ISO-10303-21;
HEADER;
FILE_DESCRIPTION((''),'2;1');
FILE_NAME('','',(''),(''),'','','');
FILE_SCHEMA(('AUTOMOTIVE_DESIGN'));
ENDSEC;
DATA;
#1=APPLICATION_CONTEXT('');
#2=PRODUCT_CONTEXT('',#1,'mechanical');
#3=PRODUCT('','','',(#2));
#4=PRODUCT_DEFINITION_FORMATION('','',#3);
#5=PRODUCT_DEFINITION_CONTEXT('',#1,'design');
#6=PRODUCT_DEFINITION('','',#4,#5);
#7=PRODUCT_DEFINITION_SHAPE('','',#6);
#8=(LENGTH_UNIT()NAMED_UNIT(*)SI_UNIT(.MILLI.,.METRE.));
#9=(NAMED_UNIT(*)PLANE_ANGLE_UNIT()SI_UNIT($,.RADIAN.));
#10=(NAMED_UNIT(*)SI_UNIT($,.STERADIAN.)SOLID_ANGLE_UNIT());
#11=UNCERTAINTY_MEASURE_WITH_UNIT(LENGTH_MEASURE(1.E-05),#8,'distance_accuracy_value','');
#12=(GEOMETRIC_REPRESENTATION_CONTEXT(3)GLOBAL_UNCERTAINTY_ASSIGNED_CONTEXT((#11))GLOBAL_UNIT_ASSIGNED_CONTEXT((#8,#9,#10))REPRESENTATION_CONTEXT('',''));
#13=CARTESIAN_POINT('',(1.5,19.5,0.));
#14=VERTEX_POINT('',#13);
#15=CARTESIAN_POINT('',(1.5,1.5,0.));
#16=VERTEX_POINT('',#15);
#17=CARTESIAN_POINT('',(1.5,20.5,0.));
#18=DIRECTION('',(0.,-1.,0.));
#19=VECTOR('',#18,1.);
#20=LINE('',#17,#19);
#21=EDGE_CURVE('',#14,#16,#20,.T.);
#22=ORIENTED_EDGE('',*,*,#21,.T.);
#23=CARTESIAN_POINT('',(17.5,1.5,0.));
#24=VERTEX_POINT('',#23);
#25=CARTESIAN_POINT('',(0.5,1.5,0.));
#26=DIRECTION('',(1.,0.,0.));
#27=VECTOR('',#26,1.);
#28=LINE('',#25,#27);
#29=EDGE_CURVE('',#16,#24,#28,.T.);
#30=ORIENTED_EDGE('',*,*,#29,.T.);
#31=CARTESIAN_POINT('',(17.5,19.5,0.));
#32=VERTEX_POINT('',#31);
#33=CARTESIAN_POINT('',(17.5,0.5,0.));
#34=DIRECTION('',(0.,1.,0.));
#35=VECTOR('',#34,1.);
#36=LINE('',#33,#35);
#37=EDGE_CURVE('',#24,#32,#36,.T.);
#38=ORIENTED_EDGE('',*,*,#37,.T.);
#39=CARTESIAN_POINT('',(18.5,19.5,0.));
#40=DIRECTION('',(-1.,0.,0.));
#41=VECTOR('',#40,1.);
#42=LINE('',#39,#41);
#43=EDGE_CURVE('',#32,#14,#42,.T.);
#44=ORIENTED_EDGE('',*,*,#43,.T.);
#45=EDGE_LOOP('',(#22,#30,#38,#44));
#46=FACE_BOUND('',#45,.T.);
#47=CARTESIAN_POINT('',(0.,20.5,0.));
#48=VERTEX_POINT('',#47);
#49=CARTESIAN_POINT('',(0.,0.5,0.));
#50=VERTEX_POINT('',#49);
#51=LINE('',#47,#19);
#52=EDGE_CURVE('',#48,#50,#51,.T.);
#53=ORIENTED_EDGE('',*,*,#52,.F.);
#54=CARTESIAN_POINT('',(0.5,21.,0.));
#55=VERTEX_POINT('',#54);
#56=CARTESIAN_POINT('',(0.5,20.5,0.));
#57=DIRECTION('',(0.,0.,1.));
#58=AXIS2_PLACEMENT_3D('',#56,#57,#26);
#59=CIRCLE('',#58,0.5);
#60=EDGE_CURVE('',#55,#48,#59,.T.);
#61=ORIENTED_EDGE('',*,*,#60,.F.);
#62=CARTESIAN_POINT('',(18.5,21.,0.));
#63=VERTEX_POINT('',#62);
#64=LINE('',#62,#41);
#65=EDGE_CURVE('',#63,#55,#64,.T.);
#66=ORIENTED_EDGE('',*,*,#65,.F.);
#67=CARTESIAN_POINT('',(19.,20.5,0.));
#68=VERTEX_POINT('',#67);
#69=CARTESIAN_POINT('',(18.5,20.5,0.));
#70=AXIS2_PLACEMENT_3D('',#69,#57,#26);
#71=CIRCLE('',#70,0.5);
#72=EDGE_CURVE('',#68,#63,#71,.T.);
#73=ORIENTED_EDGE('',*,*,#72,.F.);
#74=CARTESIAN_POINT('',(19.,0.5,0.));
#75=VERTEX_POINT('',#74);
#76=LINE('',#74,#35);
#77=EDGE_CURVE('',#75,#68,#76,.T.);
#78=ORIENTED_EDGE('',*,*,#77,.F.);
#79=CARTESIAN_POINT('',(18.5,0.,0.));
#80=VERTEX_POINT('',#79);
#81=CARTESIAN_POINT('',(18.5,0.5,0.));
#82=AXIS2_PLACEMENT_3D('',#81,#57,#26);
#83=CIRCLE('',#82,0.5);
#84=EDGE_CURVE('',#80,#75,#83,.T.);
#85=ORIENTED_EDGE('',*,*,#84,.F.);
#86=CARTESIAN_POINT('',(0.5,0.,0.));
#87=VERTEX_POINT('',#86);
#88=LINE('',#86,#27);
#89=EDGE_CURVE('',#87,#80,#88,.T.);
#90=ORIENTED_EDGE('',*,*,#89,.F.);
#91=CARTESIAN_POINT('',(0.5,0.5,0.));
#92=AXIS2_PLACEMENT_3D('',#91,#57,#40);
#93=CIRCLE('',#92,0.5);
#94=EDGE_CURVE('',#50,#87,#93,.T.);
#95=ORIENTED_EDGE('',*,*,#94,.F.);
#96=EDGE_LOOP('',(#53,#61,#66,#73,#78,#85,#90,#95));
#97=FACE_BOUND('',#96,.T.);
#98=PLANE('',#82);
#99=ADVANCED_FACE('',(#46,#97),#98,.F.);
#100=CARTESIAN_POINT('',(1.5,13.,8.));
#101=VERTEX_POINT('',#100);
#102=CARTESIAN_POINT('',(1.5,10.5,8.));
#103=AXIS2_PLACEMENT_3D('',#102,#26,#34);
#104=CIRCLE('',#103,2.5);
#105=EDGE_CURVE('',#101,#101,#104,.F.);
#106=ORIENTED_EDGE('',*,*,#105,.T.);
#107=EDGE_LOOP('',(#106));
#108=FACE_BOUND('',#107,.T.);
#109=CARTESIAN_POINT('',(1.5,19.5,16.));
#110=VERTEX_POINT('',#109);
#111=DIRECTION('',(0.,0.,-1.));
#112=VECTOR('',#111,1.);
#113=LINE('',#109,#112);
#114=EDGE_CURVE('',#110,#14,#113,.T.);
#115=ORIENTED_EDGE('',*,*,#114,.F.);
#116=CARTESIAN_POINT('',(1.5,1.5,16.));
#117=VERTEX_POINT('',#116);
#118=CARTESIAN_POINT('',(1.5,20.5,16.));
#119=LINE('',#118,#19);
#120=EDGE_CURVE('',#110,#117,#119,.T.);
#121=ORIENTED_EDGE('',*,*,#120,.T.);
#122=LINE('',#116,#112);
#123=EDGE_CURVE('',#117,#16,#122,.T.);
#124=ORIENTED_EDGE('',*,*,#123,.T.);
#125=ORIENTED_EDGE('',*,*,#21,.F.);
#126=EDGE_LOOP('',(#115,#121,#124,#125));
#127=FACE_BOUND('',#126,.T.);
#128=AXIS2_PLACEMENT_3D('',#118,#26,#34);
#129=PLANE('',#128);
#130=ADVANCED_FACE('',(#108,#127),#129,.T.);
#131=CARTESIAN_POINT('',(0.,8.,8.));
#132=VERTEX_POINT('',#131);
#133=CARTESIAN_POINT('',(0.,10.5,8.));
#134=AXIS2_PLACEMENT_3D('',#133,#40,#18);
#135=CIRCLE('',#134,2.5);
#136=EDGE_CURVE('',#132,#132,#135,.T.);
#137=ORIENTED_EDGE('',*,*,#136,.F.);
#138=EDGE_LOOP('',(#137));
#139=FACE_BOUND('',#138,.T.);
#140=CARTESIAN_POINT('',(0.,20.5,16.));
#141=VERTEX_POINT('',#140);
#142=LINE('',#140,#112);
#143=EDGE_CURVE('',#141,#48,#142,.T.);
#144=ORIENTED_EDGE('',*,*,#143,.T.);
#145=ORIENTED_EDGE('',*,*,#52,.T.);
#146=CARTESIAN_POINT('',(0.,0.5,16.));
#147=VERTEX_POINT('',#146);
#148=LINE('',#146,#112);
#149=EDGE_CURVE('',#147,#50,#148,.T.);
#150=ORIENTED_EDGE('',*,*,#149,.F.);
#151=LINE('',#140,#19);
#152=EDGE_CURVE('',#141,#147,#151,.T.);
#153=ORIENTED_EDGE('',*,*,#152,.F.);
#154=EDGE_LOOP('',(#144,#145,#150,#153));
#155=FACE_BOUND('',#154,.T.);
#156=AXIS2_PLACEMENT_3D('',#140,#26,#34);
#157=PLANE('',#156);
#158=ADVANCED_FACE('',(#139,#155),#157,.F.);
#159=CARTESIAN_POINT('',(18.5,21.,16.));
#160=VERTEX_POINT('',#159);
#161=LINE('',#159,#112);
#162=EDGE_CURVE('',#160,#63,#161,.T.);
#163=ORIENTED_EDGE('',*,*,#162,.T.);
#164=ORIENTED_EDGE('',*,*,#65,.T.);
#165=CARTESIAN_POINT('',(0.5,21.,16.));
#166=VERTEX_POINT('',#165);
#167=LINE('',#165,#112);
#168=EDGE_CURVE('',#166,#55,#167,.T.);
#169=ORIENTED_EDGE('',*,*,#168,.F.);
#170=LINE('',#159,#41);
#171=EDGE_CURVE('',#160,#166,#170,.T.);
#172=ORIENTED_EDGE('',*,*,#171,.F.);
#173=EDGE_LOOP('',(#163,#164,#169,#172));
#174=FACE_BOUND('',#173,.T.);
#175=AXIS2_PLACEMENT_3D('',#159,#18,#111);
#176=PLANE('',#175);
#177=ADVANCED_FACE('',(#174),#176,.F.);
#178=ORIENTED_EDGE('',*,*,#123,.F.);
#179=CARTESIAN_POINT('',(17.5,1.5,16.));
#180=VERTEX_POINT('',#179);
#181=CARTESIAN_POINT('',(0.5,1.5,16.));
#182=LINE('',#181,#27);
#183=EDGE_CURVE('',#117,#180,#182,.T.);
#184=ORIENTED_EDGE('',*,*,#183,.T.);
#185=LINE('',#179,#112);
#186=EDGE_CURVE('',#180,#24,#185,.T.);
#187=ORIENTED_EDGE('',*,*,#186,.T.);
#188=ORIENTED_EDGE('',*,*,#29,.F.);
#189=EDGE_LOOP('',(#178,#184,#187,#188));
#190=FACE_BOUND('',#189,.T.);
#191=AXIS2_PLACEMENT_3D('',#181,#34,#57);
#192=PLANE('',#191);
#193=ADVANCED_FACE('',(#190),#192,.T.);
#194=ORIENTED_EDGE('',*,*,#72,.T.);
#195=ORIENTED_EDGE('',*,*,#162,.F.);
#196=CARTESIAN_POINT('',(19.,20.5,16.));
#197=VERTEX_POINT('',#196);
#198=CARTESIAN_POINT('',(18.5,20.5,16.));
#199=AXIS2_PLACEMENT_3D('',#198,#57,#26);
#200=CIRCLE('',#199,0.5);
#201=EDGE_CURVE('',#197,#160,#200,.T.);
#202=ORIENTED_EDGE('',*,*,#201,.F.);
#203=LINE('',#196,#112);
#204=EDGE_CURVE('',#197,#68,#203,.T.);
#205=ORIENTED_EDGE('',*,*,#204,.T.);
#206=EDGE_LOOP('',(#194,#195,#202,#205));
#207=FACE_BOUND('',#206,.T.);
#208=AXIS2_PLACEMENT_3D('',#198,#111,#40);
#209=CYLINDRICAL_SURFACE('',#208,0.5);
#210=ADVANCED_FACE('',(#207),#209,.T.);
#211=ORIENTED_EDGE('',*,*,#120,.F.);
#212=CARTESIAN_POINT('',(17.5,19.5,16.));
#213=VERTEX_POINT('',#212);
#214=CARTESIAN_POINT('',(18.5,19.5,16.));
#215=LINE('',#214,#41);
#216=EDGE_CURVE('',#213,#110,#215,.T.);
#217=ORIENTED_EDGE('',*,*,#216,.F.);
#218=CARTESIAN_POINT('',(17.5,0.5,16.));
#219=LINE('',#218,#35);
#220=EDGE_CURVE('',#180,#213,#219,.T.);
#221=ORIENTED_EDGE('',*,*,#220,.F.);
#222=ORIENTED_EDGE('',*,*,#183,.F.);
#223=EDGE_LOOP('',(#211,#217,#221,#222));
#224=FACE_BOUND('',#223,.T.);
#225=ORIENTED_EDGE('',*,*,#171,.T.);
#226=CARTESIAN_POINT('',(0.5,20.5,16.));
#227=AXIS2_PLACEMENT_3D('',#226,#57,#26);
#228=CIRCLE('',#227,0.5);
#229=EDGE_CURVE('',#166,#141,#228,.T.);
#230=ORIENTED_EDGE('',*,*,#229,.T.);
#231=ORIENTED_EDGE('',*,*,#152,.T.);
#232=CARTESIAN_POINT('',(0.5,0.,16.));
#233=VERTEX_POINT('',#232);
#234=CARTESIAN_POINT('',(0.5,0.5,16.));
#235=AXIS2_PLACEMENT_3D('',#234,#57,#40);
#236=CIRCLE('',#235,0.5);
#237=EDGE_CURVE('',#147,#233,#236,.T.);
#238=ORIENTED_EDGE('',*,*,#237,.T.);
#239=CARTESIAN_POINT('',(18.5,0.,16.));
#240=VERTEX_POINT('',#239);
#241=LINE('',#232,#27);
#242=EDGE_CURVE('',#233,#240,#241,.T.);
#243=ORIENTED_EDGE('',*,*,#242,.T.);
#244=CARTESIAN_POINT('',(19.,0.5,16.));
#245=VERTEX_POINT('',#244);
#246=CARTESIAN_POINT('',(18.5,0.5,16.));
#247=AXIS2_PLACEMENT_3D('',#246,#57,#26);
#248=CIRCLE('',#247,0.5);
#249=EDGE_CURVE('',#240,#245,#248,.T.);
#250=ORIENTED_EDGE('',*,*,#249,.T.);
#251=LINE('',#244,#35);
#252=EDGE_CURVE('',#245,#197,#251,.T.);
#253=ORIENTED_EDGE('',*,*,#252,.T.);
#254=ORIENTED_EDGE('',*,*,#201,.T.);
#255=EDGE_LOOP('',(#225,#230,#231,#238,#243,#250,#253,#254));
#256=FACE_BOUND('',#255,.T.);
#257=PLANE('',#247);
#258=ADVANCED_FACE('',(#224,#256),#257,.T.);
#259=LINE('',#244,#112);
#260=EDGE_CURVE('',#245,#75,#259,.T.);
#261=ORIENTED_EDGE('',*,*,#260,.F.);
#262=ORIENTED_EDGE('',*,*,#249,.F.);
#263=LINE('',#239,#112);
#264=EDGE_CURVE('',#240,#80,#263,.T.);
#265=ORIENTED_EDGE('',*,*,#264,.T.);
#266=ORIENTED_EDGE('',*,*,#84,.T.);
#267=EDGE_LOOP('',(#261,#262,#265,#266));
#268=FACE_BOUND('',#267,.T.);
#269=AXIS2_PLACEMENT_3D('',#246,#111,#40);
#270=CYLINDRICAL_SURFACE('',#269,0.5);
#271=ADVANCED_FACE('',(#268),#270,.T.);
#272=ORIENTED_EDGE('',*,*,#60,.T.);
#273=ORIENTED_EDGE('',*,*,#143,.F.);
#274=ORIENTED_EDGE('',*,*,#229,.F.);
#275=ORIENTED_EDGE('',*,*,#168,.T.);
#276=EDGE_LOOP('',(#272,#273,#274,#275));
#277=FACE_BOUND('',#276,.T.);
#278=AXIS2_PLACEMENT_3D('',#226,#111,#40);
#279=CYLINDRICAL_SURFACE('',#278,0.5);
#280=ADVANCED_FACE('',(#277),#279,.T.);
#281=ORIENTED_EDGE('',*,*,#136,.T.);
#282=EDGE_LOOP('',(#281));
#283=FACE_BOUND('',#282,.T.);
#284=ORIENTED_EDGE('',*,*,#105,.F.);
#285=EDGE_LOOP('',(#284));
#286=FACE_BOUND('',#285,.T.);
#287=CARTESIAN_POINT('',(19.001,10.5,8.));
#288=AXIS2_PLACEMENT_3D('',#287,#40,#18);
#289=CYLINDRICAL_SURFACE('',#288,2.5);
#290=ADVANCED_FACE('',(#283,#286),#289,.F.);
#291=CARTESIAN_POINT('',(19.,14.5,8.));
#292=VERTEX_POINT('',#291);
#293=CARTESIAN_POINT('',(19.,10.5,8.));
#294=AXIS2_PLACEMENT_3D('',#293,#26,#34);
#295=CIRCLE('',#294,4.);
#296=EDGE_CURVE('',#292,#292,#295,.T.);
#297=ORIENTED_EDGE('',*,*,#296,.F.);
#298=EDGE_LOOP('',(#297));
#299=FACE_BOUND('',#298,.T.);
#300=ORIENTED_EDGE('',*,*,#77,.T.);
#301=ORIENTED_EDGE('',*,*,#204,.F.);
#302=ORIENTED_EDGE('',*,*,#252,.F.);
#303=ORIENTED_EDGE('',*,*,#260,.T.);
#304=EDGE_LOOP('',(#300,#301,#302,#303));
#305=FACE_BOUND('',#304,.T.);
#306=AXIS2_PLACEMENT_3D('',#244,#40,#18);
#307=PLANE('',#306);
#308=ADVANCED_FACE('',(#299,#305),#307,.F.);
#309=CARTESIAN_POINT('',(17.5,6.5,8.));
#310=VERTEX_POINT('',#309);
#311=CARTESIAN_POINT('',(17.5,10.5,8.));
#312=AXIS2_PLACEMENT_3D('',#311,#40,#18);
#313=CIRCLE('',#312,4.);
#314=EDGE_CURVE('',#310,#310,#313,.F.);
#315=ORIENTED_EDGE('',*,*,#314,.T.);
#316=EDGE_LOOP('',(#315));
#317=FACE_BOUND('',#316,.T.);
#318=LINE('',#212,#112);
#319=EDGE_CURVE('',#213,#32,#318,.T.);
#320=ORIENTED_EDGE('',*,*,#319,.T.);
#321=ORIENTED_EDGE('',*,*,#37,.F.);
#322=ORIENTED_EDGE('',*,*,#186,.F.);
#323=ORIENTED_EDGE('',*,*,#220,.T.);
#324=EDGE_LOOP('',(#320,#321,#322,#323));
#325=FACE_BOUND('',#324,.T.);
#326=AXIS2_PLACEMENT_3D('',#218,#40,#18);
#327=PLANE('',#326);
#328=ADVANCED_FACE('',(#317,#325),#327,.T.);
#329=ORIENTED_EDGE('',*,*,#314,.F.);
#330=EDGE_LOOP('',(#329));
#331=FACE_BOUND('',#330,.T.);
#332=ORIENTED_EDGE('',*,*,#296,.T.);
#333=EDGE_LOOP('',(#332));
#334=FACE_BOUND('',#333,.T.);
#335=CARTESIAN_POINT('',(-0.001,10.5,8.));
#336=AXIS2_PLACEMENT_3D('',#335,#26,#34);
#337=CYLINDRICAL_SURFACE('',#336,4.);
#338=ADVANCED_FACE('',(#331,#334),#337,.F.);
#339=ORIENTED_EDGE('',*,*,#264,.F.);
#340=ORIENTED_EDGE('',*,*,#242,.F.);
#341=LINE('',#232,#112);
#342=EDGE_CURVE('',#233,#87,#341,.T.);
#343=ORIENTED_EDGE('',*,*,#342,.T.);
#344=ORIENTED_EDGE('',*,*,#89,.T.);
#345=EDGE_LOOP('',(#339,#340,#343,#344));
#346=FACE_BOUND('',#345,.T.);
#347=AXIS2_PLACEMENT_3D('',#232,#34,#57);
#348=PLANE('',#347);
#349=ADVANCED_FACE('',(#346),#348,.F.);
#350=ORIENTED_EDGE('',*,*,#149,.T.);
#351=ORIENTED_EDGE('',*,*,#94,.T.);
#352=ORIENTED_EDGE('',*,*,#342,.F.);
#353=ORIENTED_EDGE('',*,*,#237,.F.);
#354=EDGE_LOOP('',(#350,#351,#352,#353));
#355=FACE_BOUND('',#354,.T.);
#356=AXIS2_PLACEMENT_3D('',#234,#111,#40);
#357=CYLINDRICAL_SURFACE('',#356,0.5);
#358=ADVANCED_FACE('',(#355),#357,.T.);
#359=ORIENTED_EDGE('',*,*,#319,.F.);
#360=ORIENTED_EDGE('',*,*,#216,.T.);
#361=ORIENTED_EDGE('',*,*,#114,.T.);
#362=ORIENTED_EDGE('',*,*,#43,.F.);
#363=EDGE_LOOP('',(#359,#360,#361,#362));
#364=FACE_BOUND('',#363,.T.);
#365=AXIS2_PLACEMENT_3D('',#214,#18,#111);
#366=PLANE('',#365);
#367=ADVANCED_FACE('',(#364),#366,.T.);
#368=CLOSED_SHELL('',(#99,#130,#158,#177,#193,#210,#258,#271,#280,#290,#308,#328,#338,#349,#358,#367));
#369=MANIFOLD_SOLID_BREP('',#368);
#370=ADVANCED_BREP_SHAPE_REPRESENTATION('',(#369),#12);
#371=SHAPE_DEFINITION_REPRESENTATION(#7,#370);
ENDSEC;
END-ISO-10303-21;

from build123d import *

# Parameters (mm, degrees)
DODANIE_WYCI_GNI_CIE1_DEPTH = 16
SKORUPA1_T                  = -1.5
WYTNIJ_WYCI_GNI_CIE2_REACH  = 21
SZKIC12_R                   = 2.5
WYTNIJ_WYCI_GNI_CIE3_REACH  = 21
SZKIC13_R                   = 4


with BuildPart() as part:
    # Szkic1 → Dodanie-wyciągnięcie1 (new body)
    with BuildSketch(Plane.XY):
        with BuildLine():
            Line((0.5, 0), (18.5, 0))
            ThreePointArc((18.5, 0), (18.853553391, 0.146446609), (19, 0.5))
            Line((19, 0.5), (19, 20.5))
            ThreePointArc((19, 20.5), (18.853553391, 20.853553391), (18.5, 21))
            Line((18.5, 21), (0.5, 21))
            ThreePointArc((0.5, 21), (0.146446609, 20.853553391), (0, 20.5))
            Line((0, 20.5), (0, 0.5))
            ThreePointArc((0, 0.5), (0.146446609, 0.146446609), (0.5, 0))
        make_face()
    extrude(amount=DODANIE_WYCI_GNI_CIE1_DEPTH)

    # Skorupa1
    skorupa1_openings = [part.faces().sort_by_distance(p)[0] for p in [
        (9.5, 10.5, 16),
        (9.5, 10.5, 0),
    ]]
    offset(amount=SKORUPA1_T, openings=skorupa1_openings, kind=Kind.INTERSECTION)

    # Szkic12 → Wytnij-wyciągnięcie2 (cut, up to next)
    with BuildSketch(Plane.ZY, mode=Mode.PRIVATE) as wytnij_wyci_gni_cie2_sk1:
        with Locations((8, 10.5)):
            Circle(SZKIC12_R)
    wytnij_wyci_gni_cie2_tool1 = extrude(wytnij_wyci_gni_cie2_sk1.sketch, amount=-WYTNIJ_WYCI_GNI_CIE2_REACH, mode=Mode.PRIVATE) & part.part
    add(wytnij_wyci_gni_cie2_tool1.solids().sort_by_distance((0, 10.5, 8))[0], mode=Mode.SUBTRACT)

    # Szkic13 → Wytnij-wyciągnięcie3 (cut, up to next)
    with BuildSketch(Plane(origin=(19, 0, 0), x_dir=(0, 0, -1), z_dir=(1, 0, 0)), mode=Mode.PRIVATE) as wytnij_wyci_gni_cie3_sk1:
        with Locations((-8, 10.5)):
            Circle(SZKIC13_R)
    wytnij_wyci_gni_cie3_tool1 = extrude(wytnij_wyci_gni_cie3_sk1.sketch, amount=-WYTNIJ_WYCI_GNI_CIE3_REACH, mode=Mode.PRIVATE) & part.part
    add(wytnij_wyci_gni_cie3_tool1.solids().sort_by_distance((19, 10.5, 8))[0], mode=Mode.SUBTRACT)


solid = part.part
